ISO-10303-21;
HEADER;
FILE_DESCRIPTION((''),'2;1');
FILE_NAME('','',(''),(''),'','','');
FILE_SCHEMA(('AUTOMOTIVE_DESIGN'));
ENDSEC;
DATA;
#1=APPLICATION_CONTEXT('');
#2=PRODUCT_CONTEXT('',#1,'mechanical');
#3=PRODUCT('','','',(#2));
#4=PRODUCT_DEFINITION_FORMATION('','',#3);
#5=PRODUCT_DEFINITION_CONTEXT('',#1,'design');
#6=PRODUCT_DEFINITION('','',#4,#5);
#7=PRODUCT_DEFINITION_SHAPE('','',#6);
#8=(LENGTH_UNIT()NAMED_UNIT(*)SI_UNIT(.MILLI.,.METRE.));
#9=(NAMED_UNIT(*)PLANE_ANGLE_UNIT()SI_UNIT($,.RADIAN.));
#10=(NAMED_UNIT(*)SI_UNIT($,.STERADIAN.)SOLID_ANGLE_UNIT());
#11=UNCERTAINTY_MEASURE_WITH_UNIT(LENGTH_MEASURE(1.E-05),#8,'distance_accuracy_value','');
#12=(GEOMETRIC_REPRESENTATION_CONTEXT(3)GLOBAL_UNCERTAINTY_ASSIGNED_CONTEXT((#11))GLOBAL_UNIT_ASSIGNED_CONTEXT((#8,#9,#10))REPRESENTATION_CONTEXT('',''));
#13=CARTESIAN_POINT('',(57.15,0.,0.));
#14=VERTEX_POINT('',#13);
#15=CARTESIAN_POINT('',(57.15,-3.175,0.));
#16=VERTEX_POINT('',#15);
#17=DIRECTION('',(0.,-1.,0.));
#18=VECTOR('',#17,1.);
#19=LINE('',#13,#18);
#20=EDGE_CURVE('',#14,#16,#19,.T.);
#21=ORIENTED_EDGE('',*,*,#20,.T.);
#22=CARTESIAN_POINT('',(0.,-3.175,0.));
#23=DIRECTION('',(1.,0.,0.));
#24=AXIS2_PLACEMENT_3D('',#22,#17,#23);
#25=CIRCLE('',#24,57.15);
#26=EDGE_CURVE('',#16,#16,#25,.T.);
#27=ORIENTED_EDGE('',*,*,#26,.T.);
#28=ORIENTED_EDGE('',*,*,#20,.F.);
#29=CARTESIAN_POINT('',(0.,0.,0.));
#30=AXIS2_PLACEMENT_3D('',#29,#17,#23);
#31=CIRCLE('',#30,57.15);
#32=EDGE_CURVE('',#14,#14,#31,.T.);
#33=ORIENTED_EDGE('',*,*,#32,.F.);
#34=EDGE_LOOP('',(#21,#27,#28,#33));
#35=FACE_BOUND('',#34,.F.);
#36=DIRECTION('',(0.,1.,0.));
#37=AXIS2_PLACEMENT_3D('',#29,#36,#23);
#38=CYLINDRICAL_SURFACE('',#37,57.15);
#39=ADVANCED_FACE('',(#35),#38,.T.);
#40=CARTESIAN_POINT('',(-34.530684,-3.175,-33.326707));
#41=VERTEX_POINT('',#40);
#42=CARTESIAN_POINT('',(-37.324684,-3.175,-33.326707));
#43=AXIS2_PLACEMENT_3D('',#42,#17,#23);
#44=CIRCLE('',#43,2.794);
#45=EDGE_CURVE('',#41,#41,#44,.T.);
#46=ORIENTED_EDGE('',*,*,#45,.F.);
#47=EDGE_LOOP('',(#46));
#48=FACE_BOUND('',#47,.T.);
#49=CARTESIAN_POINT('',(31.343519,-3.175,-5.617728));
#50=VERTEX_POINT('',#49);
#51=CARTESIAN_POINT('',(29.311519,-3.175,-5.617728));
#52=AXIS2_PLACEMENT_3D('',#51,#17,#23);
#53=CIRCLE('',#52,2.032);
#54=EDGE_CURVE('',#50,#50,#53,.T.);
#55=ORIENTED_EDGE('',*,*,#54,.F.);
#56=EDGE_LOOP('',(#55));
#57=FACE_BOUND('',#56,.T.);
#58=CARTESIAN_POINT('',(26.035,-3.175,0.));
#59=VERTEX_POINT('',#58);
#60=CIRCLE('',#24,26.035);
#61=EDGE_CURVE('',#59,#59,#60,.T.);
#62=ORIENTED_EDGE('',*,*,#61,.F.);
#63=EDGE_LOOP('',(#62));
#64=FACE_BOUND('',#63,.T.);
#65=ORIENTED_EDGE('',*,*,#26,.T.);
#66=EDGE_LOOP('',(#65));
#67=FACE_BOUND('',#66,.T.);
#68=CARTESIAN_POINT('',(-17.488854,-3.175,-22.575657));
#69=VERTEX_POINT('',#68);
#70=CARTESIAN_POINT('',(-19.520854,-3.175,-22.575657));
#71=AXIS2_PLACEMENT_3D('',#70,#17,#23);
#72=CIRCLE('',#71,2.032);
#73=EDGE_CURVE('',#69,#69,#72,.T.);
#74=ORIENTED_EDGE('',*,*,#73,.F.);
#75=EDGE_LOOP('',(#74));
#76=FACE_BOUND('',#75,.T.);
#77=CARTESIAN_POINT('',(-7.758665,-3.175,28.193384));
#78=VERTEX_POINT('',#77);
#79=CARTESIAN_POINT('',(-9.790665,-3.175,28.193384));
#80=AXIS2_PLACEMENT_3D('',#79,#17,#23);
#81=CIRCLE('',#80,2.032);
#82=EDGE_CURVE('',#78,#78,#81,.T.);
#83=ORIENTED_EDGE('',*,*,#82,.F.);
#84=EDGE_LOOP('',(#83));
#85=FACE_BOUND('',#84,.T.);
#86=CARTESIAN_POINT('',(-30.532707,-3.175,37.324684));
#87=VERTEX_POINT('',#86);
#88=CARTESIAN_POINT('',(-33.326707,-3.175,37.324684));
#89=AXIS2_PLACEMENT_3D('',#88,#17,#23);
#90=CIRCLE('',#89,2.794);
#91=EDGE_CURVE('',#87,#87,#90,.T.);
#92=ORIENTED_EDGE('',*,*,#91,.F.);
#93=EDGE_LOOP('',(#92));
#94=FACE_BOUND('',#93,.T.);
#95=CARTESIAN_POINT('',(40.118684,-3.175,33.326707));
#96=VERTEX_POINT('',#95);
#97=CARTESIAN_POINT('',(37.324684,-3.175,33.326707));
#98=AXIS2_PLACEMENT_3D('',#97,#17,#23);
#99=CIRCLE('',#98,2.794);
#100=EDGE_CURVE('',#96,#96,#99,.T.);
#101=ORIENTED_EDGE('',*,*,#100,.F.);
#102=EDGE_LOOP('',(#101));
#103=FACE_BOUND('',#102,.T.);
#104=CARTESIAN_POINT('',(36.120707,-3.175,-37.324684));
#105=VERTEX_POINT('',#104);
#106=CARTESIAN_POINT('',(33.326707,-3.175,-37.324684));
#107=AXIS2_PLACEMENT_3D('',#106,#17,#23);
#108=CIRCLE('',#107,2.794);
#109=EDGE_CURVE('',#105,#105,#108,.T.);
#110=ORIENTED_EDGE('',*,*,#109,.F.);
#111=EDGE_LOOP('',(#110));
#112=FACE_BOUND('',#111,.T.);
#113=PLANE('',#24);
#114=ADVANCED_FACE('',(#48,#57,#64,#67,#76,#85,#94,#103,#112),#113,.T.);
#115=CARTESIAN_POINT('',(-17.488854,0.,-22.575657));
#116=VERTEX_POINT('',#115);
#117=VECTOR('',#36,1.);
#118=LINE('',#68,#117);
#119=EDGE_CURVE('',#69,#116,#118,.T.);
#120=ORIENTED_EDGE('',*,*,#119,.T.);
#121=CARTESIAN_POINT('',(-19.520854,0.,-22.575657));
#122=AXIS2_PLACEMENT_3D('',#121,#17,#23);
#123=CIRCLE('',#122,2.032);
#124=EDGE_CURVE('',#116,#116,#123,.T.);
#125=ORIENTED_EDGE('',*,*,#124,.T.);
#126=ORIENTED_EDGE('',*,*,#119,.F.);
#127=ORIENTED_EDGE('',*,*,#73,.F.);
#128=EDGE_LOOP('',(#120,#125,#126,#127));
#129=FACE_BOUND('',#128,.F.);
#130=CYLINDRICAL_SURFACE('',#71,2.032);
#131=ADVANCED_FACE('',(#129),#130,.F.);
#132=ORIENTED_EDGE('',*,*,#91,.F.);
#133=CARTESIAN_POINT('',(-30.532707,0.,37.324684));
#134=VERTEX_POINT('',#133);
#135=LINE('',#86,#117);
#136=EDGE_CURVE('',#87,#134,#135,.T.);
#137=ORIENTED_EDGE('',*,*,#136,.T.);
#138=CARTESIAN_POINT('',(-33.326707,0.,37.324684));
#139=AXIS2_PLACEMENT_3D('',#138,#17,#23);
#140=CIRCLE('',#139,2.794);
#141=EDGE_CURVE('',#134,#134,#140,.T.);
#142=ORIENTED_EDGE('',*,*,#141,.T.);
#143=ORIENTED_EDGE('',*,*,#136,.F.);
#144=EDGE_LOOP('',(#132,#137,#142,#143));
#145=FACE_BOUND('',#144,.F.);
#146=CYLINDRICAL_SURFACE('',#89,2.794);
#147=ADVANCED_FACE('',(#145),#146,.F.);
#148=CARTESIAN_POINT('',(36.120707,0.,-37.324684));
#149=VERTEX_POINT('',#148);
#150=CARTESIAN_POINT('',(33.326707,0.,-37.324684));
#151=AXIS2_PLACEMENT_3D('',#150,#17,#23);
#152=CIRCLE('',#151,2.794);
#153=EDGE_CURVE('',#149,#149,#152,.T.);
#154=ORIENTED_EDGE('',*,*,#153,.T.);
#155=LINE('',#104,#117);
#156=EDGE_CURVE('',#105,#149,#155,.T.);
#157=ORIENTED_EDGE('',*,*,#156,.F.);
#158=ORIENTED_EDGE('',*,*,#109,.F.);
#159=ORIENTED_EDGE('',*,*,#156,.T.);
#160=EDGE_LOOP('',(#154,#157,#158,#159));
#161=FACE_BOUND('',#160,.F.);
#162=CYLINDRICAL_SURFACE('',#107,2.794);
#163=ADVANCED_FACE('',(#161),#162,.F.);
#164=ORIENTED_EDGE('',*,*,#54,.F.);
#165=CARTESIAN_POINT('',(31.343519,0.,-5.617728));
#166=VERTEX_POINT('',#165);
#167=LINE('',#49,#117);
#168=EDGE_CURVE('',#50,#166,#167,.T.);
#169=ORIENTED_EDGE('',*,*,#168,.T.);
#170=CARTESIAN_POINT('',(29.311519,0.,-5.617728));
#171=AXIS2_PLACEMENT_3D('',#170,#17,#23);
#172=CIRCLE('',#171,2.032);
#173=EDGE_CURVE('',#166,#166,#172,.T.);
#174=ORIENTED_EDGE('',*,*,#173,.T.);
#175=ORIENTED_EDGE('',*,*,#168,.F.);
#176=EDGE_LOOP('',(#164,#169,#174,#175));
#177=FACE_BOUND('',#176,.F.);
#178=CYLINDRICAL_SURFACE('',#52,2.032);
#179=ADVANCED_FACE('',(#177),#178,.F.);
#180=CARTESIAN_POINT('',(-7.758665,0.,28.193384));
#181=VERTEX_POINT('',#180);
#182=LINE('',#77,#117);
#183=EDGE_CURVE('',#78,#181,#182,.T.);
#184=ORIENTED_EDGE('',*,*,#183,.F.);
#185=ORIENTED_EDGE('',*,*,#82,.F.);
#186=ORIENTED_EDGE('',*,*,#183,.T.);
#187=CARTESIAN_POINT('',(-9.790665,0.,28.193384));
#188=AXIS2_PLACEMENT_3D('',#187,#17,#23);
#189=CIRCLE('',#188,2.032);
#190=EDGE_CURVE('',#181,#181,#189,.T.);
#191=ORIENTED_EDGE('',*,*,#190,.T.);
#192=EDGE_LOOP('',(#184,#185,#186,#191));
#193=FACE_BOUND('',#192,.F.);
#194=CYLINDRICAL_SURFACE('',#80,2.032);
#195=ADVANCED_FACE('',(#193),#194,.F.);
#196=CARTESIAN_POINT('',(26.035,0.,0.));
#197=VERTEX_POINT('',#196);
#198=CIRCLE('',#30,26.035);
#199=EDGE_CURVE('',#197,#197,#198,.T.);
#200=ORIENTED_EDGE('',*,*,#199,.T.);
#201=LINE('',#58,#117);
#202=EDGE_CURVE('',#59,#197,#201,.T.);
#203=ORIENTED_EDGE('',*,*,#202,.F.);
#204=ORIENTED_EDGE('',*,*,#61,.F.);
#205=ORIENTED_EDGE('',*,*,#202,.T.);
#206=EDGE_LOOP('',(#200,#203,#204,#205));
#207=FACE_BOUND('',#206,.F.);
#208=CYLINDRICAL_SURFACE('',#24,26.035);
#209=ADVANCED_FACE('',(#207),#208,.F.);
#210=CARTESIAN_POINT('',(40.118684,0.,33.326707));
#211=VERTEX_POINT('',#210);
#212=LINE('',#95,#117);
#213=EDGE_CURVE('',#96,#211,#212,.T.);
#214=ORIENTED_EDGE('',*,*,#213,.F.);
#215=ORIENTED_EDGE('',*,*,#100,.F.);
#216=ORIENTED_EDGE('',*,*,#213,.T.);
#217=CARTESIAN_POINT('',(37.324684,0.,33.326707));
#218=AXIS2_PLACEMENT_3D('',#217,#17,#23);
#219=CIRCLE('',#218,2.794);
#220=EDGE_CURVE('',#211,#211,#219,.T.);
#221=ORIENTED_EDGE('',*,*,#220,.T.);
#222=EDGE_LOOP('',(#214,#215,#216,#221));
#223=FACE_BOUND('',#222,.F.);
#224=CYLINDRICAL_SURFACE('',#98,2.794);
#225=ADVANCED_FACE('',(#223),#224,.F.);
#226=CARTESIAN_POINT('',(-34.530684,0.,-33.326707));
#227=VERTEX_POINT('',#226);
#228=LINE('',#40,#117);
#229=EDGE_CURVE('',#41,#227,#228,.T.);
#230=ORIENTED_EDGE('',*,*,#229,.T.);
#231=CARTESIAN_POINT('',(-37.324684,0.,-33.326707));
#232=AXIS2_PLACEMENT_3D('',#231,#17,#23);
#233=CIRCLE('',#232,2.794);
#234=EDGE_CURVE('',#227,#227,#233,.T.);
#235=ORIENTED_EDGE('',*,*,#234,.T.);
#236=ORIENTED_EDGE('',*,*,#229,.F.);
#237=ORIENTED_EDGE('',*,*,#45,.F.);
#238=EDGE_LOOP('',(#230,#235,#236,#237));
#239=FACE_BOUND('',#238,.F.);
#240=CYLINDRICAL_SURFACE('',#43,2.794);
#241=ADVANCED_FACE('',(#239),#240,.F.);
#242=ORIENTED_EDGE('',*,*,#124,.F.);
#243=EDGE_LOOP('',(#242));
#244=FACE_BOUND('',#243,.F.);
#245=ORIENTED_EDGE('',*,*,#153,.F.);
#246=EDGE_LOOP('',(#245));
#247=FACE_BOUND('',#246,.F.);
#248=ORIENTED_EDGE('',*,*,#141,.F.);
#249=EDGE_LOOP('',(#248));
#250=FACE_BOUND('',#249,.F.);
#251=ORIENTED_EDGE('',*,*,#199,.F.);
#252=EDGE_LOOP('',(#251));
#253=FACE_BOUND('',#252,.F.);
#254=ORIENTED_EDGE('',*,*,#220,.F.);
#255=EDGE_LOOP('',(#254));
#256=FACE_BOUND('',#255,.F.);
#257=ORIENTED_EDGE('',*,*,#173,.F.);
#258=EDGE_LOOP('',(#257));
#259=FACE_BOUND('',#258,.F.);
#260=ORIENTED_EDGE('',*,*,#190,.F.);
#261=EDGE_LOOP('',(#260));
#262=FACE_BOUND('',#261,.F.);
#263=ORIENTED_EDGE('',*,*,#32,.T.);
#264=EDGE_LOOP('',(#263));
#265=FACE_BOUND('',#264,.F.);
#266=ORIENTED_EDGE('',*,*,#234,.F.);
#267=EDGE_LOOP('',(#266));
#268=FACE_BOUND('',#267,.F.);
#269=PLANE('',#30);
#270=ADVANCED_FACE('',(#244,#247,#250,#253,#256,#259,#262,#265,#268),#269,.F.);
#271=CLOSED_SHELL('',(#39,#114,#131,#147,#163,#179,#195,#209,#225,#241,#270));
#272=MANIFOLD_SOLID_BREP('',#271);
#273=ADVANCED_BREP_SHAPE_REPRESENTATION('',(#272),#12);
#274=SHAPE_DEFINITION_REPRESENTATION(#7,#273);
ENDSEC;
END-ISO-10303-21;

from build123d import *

# Parameters (mm, degrees)
F0_R     = 57.15
F1_DEPTH = 3.175
F2_R     = 2.794
F3_DEPTH = 25.4
F4_R     = 26.035
F4_R_2   = 2.032
F5_DEPTH = 25.4


with BuildPart() as f1:
    # F0 (on Front) → F1 (new body)
    with BuildSketch(Plane.XZ):
        Circle(F0_R)
    extrude(amount=F1_DEPTH)

    # F2 (on face) → F3 (cut)
    with BuildSketch(Plane.XZ.offset(3.175)):
        with Locations((-33.326707, 37.324684)):
            Circle(F2_R)
        with Locations((-37.324684, -33.326707)):
            Circle(F2_R)
        with Locations((33.326707, -37.324684)):
            Circle(F2_R)
        with Locations((37.324684, 33.326707)):
            Circle(F2_R)
    extrude(amount=-F3_DEPTH, mode=Mode.SUBTRACT)

    # F4 (on face) → F5 (cut)
    with BuildSketch(Plane.XZ.offset(3.175)):
        Circle(F4_R)
        with Locations((-9.790665, 28.193384)):
            Circle(F4_R_2)
        with Locations((-19.520854, -22.575657)):
            Circle(F4_R_2)
        with Locations((29.311519, -5.617728)):
            Circle(F4_R_2)
    extrude(amount=-F5_DEPTH, mode=Mode.SUBTRACT)


solid = f1.part
